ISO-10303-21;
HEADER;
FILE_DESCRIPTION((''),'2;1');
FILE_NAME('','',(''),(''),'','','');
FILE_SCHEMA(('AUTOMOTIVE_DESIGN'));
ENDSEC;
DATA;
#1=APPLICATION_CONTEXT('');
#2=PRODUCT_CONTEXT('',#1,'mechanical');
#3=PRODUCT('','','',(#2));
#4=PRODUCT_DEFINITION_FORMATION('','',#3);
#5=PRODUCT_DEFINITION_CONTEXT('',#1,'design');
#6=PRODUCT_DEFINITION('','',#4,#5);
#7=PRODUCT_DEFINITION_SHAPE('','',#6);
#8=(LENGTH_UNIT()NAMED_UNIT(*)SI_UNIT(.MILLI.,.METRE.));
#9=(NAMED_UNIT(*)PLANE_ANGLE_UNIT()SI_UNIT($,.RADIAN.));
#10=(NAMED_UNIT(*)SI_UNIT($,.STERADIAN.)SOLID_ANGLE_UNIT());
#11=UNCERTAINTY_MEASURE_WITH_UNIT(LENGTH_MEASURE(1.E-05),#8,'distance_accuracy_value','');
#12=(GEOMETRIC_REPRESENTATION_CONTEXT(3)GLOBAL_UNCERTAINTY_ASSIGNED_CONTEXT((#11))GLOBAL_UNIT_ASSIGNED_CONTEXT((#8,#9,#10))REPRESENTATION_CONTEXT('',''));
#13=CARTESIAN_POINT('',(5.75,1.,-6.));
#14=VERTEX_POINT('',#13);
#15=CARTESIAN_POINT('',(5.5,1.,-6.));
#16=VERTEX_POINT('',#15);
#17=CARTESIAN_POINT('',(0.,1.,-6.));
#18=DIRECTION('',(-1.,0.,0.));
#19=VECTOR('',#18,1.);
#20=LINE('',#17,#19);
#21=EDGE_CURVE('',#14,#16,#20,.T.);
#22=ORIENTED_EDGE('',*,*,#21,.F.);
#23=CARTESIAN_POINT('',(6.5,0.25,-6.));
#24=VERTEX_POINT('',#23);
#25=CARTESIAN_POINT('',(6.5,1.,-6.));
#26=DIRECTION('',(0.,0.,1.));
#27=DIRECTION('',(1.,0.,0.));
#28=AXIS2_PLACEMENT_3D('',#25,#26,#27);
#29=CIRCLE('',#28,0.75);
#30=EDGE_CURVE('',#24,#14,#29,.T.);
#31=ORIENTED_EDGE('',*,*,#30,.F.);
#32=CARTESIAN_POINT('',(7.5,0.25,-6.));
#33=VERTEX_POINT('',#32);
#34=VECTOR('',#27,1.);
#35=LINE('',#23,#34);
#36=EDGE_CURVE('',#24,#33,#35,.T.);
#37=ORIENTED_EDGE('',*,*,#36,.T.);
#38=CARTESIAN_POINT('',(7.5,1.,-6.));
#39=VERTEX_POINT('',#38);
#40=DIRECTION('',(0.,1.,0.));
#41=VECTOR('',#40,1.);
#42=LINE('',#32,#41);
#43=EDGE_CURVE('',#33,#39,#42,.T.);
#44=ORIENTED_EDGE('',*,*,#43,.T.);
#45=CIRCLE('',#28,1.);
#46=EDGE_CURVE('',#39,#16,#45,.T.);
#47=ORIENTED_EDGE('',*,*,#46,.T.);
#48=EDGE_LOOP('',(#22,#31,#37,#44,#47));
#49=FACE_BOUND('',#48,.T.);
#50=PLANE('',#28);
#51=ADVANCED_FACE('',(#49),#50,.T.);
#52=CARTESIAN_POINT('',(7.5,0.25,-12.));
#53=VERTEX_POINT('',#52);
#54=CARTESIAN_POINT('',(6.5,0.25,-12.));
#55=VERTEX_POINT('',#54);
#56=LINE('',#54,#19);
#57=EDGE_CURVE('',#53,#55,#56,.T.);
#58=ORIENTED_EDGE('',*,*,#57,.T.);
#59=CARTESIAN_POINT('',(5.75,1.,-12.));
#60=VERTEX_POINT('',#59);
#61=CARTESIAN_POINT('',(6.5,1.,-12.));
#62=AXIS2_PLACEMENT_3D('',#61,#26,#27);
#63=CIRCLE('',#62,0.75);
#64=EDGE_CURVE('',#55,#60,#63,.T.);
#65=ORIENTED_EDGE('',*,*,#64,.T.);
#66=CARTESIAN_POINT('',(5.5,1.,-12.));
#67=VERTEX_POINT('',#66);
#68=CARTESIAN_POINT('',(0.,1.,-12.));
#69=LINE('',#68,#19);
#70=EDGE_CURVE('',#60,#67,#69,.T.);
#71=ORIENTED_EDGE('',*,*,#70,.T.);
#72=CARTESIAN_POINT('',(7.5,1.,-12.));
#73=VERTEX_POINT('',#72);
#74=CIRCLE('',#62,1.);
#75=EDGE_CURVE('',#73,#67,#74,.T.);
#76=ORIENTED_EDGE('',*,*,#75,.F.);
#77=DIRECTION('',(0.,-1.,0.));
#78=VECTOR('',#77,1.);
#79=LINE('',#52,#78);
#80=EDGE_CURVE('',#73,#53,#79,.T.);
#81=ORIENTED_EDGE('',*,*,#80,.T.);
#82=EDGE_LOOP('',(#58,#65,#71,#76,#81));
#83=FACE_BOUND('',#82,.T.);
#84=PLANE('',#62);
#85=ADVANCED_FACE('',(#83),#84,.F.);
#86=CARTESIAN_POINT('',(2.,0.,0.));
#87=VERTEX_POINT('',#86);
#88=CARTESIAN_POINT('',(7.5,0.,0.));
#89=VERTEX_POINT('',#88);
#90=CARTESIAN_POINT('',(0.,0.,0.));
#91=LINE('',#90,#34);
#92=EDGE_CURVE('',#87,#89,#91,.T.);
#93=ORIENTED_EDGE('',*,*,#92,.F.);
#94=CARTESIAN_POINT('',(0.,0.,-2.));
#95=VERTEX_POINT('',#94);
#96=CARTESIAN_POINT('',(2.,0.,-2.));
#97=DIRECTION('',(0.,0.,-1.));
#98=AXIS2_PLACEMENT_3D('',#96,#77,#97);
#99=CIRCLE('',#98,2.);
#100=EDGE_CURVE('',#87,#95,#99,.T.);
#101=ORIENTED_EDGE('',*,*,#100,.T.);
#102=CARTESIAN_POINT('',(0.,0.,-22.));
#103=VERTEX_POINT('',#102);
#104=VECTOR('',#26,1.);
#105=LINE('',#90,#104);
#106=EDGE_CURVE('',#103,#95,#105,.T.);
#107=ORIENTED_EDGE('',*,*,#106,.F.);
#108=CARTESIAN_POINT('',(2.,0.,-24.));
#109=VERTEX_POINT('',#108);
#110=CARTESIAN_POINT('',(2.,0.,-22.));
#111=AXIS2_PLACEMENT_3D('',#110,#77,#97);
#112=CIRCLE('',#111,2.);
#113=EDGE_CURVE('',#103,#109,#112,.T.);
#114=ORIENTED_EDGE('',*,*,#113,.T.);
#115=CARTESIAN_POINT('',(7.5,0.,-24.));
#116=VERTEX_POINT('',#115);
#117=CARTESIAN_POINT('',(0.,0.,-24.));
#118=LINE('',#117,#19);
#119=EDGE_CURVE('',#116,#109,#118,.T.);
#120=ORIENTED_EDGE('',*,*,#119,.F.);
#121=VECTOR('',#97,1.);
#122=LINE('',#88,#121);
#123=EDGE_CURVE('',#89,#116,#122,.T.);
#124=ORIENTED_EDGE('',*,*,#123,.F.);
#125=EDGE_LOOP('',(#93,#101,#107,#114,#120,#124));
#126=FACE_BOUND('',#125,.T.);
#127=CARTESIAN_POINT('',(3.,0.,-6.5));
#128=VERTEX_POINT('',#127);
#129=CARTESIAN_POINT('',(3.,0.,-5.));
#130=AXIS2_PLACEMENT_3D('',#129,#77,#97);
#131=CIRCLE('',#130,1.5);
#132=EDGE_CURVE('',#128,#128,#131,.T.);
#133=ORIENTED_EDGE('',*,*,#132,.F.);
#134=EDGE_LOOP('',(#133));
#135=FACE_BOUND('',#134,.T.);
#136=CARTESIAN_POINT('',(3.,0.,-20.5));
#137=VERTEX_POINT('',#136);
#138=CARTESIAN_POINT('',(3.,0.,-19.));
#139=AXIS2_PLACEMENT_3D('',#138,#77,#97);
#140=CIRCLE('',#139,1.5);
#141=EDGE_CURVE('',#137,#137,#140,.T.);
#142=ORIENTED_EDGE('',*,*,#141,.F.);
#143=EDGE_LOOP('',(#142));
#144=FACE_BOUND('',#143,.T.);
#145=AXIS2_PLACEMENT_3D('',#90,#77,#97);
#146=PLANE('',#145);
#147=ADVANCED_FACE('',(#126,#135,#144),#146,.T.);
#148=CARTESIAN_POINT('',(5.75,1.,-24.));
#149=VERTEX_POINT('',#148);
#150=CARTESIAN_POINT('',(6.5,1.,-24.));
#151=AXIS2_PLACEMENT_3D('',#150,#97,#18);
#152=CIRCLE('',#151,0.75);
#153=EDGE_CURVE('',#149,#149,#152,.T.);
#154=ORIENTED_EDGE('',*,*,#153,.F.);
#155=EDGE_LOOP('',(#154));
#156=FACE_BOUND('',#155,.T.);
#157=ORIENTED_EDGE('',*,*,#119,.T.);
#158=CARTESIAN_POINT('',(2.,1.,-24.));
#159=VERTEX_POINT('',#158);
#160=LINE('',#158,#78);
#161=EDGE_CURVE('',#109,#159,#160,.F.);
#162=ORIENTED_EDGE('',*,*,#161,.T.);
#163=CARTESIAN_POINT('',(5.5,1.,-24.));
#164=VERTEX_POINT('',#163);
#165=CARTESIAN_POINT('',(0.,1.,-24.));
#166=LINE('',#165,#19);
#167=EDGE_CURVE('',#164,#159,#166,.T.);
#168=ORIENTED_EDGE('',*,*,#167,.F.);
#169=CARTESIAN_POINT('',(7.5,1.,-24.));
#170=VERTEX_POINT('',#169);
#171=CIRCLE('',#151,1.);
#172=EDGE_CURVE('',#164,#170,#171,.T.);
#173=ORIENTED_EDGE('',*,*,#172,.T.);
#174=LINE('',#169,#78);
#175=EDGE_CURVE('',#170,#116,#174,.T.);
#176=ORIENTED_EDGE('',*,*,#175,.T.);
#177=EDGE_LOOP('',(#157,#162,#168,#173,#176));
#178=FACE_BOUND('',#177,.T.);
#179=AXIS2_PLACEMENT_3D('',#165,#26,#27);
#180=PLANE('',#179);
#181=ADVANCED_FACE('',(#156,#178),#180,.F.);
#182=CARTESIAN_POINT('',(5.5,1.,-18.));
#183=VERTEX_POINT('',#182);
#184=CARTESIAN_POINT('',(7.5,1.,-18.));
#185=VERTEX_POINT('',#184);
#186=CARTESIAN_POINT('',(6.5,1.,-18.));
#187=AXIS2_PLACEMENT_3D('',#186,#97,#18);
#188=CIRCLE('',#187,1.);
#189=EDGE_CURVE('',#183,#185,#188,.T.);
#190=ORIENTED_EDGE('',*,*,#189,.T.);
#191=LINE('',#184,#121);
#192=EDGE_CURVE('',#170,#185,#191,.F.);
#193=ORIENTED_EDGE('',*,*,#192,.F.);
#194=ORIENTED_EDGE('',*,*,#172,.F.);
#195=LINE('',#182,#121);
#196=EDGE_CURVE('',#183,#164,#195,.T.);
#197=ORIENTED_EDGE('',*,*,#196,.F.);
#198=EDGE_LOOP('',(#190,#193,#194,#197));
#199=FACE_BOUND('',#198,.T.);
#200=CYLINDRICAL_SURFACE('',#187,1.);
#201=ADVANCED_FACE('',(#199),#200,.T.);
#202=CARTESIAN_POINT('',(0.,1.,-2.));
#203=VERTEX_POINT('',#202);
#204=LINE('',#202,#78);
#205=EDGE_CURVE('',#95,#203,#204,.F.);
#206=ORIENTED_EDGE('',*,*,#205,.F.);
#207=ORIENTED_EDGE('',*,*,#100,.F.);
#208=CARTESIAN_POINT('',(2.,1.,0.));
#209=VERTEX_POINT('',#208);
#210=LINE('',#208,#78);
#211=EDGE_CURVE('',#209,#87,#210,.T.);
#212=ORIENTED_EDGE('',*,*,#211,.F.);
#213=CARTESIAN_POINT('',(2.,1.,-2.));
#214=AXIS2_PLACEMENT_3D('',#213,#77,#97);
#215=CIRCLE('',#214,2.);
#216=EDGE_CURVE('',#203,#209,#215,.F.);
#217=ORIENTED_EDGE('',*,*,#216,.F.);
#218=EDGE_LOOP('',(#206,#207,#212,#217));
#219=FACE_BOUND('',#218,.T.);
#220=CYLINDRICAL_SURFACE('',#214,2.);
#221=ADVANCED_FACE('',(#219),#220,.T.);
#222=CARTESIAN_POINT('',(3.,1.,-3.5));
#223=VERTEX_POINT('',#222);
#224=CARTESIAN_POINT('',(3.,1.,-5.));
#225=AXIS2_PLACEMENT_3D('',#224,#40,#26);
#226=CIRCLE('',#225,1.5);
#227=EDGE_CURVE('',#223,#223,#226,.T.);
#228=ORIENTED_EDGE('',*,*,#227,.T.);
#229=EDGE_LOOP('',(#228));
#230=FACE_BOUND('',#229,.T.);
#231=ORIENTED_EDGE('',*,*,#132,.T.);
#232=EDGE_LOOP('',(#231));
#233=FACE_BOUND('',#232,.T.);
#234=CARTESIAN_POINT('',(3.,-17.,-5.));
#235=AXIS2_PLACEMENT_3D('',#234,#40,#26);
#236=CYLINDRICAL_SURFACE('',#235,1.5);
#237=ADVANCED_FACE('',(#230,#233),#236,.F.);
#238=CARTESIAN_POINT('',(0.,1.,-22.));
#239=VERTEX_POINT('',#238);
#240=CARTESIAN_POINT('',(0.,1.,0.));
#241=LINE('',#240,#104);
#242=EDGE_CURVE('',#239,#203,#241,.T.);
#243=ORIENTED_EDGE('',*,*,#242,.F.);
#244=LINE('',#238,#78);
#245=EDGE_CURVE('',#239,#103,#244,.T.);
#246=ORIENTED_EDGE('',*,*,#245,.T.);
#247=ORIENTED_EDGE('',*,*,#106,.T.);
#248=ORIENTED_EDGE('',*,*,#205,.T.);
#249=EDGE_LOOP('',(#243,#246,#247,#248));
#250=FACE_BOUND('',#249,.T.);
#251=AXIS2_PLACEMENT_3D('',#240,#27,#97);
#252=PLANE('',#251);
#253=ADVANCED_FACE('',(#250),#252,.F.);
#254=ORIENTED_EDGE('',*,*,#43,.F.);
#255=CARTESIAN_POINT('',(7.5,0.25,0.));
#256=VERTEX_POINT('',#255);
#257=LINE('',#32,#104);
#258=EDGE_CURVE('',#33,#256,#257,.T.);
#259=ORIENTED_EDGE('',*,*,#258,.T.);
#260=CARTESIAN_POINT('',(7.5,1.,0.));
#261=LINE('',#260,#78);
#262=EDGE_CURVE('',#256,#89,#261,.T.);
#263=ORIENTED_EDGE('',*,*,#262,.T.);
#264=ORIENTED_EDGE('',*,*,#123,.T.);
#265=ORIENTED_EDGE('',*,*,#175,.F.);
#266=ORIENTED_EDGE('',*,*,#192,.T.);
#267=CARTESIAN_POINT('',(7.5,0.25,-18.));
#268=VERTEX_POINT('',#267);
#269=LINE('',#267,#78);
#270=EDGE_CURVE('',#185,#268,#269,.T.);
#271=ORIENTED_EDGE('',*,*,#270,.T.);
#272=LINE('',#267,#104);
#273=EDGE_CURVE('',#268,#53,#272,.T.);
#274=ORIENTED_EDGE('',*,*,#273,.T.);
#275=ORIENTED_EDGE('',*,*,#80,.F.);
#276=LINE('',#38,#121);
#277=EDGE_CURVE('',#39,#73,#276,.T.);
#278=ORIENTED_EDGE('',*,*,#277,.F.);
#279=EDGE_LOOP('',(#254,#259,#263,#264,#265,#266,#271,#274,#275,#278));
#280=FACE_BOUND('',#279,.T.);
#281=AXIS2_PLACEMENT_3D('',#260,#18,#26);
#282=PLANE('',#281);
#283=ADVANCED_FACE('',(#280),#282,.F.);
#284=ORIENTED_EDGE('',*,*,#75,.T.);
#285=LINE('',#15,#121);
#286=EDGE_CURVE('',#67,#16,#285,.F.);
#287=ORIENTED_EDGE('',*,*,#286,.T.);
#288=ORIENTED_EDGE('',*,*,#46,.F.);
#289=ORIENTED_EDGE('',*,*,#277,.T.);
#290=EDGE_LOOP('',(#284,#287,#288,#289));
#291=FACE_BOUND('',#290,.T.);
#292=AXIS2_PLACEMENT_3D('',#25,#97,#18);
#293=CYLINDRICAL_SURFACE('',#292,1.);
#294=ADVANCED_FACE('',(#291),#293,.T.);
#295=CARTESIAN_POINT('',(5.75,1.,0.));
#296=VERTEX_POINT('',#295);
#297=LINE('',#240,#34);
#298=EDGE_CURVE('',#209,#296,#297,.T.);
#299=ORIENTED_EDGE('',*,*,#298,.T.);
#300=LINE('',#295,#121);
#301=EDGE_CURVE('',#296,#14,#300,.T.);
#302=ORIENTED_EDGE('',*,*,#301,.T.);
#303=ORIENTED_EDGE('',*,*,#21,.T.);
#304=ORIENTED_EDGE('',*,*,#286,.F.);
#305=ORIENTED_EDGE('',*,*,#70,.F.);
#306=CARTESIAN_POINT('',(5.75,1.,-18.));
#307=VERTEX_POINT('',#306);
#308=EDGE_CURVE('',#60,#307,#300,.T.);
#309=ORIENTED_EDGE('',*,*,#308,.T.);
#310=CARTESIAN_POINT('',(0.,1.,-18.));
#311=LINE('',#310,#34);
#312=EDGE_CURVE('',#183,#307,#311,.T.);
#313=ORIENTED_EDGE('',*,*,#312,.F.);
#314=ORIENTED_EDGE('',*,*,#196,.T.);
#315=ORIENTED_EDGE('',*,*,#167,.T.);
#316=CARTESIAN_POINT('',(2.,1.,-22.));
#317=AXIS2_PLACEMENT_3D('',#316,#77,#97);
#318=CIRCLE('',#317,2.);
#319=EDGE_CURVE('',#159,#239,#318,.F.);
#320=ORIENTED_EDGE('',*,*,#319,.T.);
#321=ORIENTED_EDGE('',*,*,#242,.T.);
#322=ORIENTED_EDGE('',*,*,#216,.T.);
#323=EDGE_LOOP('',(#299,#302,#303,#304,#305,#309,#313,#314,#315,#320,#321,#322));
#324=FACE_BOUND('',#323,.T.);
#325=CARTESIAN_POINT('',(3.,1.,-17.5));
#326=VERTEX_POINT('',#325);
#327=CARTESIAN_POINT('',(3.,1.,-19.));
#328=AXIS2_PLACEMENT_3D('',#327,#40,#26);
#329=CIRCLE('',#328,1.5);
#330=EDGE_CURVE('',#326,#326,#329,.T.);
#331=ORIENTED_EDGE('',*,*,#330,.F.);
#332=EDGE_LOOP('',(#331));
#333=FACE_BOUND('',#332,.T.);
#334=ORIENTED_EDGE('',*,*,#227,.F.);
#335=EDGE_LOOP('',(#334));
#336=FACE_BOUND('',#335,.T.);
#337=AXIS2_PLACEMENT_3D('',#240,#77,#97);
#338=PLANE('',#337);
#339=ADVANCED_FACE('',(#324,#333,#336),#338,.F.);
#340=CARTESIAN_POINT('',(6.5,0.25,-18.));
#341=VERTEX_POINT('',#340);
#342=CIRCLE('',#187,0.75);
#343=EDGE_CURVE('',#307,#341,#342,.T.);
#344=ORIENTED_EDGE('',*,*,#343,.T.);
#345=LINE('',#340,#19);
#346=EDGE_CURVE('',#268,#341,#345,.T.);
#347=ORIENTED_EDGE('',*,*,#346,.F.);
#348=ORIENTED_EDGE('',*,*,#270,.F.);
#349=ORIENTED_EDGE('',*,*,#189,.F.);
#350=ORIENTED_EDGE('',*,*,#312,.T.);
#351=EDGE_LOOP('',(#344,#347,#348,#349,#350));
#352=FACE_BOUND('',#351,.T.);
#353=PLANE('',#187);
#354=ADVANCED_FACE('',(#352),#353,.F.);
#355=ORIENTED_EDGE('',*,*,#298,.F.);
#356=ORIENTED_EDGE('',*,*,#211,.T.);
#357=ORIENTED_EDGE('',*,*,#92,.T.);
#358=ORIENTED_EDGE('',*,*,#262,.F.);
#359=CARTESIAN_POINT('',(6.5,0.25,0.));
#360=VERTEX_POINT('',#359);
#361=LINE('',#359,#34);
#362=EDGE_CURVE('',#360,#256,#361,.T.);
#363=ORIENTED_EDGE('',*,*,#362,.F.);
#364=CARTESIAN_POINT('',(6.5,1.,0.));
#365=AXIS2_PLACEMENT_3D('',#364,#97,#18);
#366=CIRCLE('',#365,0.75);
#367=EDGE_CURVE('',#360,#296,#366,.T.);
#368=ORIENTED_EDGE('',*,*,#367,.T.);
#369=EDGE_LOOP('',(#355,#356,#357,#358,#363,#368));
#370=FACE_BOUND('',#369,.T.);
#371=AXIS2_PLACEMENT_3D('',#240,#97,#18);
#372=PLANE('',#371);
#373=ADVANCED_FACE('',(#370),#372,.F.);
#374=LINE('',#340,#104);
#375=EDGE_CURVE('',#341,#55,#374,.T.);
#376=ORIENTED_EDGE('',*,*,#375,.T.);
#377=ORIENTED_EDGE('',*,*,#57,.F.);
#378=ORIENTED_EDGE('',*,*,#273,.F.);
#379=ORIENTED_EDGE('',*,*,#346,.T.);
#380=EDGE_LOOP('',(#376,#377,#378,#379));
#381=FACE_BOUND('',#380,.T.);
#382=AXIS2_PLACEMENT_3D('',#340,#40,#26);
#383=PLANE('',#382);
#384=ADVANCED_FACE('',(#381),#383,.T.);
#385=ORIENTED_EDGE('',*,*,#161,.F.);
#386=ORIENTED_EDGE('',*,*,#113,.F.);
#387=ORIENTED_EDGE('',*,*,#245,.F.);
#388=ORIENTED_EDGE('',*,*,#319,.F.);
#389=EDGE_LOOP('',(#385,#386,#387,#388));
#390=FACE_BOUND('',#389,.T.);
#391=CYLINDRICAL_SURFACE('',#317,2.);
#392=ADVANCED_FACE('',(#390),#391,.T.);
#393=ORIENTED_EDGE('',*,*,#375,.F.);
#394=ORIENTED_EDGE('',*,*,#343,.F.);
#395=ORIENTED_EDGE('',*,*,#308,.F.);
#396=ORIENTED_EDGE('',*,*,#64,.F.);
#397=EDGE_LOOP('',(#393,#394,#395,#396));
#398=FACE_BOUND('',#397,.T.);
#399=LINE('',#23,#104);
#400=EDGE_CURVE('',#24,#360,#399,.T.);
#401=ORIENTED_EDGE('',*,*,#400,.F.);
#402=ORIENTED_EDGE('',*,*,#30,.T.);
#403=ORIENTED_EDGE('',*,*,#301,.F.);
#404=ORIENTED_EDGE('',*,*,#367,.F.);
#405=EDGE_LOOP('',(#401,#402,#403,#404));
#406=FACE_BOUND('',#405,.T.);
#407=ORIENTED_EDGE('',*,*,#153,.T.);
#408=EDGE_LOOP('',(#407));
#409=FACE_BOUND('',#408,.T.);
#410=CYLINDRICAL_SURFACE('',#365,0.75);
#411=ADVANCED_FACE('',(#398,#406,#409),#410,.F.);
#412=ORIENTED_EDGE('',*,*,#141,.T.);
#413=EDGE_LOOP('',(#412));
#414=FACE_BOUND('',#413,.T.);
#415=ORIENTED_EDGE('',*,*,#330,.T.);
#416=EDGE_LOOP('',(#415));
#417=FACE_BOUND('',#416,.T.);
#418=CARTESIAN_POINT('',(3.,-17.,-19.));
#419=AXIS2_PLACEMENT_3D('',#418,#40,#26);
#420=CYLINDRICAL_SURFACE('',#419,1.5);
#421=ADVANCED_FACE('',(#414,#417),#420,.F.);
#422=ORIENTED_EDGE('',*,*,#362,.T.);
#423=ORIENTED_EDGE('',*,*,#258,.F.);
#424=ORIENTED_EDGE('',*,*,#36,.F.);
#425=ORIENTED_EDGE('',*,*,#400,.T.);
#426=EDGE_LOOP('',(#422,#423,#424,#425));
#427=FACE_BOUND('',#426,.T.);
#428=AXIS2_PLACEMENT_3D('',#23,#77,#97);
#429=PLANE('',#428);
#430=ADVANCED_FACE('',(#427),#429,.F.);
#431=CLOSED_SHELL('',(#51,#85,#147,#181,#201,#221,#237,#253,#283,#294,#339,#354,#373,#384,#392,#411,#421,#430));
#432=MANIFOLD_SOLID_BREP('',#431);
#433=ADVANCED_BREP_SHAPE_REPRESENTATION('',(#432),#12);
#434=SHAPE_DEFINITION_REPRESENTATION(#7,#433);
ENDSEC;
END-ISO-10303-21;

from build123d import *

# Parameters (mm, degrees)
CROQUIS1_W              = 7.5
CROQUIS1_H              = 24
SALIENTE_EXTRUIR1_DEPTH = 1
CROQUIS2_R              = 1
SALIENTE_EXTRUIR2_DEPTH = 6
CROQUIS3_R              = 1
SALIENTE_EXTRUIR3_DEPTH = 6
CROQUIS4_R              = 0.75
CORTAR_EXTRUIR1_DEPTH   = 24
REDONDEO1_R             = 2
CROQUIS5_R              = 1.5
CORTAR_EXTRUIR2_DEPTH   = 18
CORTAR_EXTRUIR3_DEPTH   = 6
CORTAR_EXTRUIR4_DEPTH   = 6


with BuildPart() as part:
    # Croquis1 → Saliente-Extruir1 (new body)
    with BuildSketch(Plane(origin=(0, 0, 0), x_dir=(1, 0, 0), z_dir=(0, 1, 0))):
        with Locations((3.75, 12)):
            Rectangle(CROQUIS1_W, CROQUIS1_H)
    extrude(amount=SALIENTE_EXTRUIR1_DEPTH)

    # Croquis2 → Saliente-Extruir2 (add)
    with BuildSketch(Plane(origin=(0, 0, -24), x_dir=(-1, 0, 0), z_dir=(0, 0, -1))):
        with Locations((-6.5, 1)):
            Circle(CROQUIS2_R)
    extrude(amount=-SALIENTE_EXTRUIR2_DEPTH)

    # Croquis3 → Saliente-Extruir3 (add)
    with BuildSketch(Plane.XY.offset(-12)):
        with Locations((6.5, 1)):
            Circle(CROQUIS3_R)
    extrude(amount=SALIENTE_EXTRUIR3_DEPTH)

    # Croquis4 → Cortar-Extruir1 (cut)
    with BuildSketch(Plane(origin=(0, 0, -24), x_dir=(-1, 0, 0), z_dir=(0, 0, -1))):
        with Locations((-6.5, 1)):
            Circle(CROQUIS4_R)
    extrude(amount=-CORTAR_EXTRUIR1_DEPTH, mode=Mode.SUBTRACT)

    # Redondeo1
    redondeo1_edges = [part.edges().sort_by_distance(p)[0] for p in [
        (0, 0.5, -24),
        (0, 0.5, 0),
    ]]
    fillet(redondeo1_edges, radius=REDONDEO1_R)

    # Croquis5 → Cortar-Extruir2 (cut)
    with BuildSketch(Plane(origin=(0, 1, 0), x_dir=(1, 0, 0), z_dir=(0, 1, 0))):
        with Locations(Location((3, 19, 0), (0, 0, 270))):
            Circle(CROQUIS5_R)
        with Locations(Location((3, 5, 0), (0, 0, 270))):
            Circle(CROQUIS5_R)
    extrude(amount=-CORTAR_EXTRUIR2_DEPTH, mode=Mode.SUBTRACT)

    # Croquis6 → Cortar-Extruir3 (cut)
    with BuildSketch(Plane.XY):
        Polygon((6.5, 0.25), (7.5, 0.25), (7.5, 1), (7.25, 1), align=None)
    extrude(amount=-CORTAR_EXTRUIR3_DEPTH, mode=Mode.SUBTRACT)

    # Croquis7 → Cortar-Extruir4 (cut)
    with BuildSketch(Plane(origin=(0, 0, -12), x_dir=(-1, 0, 0), z_dir=(0, 0, -1))):
        Polygon((-6.5, 0.25), (-7.5, 0.25), (-7.5, 1), (-6.800248099, 1), align=None)
    extrude(amount=CORTAR_EXTRUIR4_DEPTH, mode=Mode.SUBTRACT)


solid = part.part
